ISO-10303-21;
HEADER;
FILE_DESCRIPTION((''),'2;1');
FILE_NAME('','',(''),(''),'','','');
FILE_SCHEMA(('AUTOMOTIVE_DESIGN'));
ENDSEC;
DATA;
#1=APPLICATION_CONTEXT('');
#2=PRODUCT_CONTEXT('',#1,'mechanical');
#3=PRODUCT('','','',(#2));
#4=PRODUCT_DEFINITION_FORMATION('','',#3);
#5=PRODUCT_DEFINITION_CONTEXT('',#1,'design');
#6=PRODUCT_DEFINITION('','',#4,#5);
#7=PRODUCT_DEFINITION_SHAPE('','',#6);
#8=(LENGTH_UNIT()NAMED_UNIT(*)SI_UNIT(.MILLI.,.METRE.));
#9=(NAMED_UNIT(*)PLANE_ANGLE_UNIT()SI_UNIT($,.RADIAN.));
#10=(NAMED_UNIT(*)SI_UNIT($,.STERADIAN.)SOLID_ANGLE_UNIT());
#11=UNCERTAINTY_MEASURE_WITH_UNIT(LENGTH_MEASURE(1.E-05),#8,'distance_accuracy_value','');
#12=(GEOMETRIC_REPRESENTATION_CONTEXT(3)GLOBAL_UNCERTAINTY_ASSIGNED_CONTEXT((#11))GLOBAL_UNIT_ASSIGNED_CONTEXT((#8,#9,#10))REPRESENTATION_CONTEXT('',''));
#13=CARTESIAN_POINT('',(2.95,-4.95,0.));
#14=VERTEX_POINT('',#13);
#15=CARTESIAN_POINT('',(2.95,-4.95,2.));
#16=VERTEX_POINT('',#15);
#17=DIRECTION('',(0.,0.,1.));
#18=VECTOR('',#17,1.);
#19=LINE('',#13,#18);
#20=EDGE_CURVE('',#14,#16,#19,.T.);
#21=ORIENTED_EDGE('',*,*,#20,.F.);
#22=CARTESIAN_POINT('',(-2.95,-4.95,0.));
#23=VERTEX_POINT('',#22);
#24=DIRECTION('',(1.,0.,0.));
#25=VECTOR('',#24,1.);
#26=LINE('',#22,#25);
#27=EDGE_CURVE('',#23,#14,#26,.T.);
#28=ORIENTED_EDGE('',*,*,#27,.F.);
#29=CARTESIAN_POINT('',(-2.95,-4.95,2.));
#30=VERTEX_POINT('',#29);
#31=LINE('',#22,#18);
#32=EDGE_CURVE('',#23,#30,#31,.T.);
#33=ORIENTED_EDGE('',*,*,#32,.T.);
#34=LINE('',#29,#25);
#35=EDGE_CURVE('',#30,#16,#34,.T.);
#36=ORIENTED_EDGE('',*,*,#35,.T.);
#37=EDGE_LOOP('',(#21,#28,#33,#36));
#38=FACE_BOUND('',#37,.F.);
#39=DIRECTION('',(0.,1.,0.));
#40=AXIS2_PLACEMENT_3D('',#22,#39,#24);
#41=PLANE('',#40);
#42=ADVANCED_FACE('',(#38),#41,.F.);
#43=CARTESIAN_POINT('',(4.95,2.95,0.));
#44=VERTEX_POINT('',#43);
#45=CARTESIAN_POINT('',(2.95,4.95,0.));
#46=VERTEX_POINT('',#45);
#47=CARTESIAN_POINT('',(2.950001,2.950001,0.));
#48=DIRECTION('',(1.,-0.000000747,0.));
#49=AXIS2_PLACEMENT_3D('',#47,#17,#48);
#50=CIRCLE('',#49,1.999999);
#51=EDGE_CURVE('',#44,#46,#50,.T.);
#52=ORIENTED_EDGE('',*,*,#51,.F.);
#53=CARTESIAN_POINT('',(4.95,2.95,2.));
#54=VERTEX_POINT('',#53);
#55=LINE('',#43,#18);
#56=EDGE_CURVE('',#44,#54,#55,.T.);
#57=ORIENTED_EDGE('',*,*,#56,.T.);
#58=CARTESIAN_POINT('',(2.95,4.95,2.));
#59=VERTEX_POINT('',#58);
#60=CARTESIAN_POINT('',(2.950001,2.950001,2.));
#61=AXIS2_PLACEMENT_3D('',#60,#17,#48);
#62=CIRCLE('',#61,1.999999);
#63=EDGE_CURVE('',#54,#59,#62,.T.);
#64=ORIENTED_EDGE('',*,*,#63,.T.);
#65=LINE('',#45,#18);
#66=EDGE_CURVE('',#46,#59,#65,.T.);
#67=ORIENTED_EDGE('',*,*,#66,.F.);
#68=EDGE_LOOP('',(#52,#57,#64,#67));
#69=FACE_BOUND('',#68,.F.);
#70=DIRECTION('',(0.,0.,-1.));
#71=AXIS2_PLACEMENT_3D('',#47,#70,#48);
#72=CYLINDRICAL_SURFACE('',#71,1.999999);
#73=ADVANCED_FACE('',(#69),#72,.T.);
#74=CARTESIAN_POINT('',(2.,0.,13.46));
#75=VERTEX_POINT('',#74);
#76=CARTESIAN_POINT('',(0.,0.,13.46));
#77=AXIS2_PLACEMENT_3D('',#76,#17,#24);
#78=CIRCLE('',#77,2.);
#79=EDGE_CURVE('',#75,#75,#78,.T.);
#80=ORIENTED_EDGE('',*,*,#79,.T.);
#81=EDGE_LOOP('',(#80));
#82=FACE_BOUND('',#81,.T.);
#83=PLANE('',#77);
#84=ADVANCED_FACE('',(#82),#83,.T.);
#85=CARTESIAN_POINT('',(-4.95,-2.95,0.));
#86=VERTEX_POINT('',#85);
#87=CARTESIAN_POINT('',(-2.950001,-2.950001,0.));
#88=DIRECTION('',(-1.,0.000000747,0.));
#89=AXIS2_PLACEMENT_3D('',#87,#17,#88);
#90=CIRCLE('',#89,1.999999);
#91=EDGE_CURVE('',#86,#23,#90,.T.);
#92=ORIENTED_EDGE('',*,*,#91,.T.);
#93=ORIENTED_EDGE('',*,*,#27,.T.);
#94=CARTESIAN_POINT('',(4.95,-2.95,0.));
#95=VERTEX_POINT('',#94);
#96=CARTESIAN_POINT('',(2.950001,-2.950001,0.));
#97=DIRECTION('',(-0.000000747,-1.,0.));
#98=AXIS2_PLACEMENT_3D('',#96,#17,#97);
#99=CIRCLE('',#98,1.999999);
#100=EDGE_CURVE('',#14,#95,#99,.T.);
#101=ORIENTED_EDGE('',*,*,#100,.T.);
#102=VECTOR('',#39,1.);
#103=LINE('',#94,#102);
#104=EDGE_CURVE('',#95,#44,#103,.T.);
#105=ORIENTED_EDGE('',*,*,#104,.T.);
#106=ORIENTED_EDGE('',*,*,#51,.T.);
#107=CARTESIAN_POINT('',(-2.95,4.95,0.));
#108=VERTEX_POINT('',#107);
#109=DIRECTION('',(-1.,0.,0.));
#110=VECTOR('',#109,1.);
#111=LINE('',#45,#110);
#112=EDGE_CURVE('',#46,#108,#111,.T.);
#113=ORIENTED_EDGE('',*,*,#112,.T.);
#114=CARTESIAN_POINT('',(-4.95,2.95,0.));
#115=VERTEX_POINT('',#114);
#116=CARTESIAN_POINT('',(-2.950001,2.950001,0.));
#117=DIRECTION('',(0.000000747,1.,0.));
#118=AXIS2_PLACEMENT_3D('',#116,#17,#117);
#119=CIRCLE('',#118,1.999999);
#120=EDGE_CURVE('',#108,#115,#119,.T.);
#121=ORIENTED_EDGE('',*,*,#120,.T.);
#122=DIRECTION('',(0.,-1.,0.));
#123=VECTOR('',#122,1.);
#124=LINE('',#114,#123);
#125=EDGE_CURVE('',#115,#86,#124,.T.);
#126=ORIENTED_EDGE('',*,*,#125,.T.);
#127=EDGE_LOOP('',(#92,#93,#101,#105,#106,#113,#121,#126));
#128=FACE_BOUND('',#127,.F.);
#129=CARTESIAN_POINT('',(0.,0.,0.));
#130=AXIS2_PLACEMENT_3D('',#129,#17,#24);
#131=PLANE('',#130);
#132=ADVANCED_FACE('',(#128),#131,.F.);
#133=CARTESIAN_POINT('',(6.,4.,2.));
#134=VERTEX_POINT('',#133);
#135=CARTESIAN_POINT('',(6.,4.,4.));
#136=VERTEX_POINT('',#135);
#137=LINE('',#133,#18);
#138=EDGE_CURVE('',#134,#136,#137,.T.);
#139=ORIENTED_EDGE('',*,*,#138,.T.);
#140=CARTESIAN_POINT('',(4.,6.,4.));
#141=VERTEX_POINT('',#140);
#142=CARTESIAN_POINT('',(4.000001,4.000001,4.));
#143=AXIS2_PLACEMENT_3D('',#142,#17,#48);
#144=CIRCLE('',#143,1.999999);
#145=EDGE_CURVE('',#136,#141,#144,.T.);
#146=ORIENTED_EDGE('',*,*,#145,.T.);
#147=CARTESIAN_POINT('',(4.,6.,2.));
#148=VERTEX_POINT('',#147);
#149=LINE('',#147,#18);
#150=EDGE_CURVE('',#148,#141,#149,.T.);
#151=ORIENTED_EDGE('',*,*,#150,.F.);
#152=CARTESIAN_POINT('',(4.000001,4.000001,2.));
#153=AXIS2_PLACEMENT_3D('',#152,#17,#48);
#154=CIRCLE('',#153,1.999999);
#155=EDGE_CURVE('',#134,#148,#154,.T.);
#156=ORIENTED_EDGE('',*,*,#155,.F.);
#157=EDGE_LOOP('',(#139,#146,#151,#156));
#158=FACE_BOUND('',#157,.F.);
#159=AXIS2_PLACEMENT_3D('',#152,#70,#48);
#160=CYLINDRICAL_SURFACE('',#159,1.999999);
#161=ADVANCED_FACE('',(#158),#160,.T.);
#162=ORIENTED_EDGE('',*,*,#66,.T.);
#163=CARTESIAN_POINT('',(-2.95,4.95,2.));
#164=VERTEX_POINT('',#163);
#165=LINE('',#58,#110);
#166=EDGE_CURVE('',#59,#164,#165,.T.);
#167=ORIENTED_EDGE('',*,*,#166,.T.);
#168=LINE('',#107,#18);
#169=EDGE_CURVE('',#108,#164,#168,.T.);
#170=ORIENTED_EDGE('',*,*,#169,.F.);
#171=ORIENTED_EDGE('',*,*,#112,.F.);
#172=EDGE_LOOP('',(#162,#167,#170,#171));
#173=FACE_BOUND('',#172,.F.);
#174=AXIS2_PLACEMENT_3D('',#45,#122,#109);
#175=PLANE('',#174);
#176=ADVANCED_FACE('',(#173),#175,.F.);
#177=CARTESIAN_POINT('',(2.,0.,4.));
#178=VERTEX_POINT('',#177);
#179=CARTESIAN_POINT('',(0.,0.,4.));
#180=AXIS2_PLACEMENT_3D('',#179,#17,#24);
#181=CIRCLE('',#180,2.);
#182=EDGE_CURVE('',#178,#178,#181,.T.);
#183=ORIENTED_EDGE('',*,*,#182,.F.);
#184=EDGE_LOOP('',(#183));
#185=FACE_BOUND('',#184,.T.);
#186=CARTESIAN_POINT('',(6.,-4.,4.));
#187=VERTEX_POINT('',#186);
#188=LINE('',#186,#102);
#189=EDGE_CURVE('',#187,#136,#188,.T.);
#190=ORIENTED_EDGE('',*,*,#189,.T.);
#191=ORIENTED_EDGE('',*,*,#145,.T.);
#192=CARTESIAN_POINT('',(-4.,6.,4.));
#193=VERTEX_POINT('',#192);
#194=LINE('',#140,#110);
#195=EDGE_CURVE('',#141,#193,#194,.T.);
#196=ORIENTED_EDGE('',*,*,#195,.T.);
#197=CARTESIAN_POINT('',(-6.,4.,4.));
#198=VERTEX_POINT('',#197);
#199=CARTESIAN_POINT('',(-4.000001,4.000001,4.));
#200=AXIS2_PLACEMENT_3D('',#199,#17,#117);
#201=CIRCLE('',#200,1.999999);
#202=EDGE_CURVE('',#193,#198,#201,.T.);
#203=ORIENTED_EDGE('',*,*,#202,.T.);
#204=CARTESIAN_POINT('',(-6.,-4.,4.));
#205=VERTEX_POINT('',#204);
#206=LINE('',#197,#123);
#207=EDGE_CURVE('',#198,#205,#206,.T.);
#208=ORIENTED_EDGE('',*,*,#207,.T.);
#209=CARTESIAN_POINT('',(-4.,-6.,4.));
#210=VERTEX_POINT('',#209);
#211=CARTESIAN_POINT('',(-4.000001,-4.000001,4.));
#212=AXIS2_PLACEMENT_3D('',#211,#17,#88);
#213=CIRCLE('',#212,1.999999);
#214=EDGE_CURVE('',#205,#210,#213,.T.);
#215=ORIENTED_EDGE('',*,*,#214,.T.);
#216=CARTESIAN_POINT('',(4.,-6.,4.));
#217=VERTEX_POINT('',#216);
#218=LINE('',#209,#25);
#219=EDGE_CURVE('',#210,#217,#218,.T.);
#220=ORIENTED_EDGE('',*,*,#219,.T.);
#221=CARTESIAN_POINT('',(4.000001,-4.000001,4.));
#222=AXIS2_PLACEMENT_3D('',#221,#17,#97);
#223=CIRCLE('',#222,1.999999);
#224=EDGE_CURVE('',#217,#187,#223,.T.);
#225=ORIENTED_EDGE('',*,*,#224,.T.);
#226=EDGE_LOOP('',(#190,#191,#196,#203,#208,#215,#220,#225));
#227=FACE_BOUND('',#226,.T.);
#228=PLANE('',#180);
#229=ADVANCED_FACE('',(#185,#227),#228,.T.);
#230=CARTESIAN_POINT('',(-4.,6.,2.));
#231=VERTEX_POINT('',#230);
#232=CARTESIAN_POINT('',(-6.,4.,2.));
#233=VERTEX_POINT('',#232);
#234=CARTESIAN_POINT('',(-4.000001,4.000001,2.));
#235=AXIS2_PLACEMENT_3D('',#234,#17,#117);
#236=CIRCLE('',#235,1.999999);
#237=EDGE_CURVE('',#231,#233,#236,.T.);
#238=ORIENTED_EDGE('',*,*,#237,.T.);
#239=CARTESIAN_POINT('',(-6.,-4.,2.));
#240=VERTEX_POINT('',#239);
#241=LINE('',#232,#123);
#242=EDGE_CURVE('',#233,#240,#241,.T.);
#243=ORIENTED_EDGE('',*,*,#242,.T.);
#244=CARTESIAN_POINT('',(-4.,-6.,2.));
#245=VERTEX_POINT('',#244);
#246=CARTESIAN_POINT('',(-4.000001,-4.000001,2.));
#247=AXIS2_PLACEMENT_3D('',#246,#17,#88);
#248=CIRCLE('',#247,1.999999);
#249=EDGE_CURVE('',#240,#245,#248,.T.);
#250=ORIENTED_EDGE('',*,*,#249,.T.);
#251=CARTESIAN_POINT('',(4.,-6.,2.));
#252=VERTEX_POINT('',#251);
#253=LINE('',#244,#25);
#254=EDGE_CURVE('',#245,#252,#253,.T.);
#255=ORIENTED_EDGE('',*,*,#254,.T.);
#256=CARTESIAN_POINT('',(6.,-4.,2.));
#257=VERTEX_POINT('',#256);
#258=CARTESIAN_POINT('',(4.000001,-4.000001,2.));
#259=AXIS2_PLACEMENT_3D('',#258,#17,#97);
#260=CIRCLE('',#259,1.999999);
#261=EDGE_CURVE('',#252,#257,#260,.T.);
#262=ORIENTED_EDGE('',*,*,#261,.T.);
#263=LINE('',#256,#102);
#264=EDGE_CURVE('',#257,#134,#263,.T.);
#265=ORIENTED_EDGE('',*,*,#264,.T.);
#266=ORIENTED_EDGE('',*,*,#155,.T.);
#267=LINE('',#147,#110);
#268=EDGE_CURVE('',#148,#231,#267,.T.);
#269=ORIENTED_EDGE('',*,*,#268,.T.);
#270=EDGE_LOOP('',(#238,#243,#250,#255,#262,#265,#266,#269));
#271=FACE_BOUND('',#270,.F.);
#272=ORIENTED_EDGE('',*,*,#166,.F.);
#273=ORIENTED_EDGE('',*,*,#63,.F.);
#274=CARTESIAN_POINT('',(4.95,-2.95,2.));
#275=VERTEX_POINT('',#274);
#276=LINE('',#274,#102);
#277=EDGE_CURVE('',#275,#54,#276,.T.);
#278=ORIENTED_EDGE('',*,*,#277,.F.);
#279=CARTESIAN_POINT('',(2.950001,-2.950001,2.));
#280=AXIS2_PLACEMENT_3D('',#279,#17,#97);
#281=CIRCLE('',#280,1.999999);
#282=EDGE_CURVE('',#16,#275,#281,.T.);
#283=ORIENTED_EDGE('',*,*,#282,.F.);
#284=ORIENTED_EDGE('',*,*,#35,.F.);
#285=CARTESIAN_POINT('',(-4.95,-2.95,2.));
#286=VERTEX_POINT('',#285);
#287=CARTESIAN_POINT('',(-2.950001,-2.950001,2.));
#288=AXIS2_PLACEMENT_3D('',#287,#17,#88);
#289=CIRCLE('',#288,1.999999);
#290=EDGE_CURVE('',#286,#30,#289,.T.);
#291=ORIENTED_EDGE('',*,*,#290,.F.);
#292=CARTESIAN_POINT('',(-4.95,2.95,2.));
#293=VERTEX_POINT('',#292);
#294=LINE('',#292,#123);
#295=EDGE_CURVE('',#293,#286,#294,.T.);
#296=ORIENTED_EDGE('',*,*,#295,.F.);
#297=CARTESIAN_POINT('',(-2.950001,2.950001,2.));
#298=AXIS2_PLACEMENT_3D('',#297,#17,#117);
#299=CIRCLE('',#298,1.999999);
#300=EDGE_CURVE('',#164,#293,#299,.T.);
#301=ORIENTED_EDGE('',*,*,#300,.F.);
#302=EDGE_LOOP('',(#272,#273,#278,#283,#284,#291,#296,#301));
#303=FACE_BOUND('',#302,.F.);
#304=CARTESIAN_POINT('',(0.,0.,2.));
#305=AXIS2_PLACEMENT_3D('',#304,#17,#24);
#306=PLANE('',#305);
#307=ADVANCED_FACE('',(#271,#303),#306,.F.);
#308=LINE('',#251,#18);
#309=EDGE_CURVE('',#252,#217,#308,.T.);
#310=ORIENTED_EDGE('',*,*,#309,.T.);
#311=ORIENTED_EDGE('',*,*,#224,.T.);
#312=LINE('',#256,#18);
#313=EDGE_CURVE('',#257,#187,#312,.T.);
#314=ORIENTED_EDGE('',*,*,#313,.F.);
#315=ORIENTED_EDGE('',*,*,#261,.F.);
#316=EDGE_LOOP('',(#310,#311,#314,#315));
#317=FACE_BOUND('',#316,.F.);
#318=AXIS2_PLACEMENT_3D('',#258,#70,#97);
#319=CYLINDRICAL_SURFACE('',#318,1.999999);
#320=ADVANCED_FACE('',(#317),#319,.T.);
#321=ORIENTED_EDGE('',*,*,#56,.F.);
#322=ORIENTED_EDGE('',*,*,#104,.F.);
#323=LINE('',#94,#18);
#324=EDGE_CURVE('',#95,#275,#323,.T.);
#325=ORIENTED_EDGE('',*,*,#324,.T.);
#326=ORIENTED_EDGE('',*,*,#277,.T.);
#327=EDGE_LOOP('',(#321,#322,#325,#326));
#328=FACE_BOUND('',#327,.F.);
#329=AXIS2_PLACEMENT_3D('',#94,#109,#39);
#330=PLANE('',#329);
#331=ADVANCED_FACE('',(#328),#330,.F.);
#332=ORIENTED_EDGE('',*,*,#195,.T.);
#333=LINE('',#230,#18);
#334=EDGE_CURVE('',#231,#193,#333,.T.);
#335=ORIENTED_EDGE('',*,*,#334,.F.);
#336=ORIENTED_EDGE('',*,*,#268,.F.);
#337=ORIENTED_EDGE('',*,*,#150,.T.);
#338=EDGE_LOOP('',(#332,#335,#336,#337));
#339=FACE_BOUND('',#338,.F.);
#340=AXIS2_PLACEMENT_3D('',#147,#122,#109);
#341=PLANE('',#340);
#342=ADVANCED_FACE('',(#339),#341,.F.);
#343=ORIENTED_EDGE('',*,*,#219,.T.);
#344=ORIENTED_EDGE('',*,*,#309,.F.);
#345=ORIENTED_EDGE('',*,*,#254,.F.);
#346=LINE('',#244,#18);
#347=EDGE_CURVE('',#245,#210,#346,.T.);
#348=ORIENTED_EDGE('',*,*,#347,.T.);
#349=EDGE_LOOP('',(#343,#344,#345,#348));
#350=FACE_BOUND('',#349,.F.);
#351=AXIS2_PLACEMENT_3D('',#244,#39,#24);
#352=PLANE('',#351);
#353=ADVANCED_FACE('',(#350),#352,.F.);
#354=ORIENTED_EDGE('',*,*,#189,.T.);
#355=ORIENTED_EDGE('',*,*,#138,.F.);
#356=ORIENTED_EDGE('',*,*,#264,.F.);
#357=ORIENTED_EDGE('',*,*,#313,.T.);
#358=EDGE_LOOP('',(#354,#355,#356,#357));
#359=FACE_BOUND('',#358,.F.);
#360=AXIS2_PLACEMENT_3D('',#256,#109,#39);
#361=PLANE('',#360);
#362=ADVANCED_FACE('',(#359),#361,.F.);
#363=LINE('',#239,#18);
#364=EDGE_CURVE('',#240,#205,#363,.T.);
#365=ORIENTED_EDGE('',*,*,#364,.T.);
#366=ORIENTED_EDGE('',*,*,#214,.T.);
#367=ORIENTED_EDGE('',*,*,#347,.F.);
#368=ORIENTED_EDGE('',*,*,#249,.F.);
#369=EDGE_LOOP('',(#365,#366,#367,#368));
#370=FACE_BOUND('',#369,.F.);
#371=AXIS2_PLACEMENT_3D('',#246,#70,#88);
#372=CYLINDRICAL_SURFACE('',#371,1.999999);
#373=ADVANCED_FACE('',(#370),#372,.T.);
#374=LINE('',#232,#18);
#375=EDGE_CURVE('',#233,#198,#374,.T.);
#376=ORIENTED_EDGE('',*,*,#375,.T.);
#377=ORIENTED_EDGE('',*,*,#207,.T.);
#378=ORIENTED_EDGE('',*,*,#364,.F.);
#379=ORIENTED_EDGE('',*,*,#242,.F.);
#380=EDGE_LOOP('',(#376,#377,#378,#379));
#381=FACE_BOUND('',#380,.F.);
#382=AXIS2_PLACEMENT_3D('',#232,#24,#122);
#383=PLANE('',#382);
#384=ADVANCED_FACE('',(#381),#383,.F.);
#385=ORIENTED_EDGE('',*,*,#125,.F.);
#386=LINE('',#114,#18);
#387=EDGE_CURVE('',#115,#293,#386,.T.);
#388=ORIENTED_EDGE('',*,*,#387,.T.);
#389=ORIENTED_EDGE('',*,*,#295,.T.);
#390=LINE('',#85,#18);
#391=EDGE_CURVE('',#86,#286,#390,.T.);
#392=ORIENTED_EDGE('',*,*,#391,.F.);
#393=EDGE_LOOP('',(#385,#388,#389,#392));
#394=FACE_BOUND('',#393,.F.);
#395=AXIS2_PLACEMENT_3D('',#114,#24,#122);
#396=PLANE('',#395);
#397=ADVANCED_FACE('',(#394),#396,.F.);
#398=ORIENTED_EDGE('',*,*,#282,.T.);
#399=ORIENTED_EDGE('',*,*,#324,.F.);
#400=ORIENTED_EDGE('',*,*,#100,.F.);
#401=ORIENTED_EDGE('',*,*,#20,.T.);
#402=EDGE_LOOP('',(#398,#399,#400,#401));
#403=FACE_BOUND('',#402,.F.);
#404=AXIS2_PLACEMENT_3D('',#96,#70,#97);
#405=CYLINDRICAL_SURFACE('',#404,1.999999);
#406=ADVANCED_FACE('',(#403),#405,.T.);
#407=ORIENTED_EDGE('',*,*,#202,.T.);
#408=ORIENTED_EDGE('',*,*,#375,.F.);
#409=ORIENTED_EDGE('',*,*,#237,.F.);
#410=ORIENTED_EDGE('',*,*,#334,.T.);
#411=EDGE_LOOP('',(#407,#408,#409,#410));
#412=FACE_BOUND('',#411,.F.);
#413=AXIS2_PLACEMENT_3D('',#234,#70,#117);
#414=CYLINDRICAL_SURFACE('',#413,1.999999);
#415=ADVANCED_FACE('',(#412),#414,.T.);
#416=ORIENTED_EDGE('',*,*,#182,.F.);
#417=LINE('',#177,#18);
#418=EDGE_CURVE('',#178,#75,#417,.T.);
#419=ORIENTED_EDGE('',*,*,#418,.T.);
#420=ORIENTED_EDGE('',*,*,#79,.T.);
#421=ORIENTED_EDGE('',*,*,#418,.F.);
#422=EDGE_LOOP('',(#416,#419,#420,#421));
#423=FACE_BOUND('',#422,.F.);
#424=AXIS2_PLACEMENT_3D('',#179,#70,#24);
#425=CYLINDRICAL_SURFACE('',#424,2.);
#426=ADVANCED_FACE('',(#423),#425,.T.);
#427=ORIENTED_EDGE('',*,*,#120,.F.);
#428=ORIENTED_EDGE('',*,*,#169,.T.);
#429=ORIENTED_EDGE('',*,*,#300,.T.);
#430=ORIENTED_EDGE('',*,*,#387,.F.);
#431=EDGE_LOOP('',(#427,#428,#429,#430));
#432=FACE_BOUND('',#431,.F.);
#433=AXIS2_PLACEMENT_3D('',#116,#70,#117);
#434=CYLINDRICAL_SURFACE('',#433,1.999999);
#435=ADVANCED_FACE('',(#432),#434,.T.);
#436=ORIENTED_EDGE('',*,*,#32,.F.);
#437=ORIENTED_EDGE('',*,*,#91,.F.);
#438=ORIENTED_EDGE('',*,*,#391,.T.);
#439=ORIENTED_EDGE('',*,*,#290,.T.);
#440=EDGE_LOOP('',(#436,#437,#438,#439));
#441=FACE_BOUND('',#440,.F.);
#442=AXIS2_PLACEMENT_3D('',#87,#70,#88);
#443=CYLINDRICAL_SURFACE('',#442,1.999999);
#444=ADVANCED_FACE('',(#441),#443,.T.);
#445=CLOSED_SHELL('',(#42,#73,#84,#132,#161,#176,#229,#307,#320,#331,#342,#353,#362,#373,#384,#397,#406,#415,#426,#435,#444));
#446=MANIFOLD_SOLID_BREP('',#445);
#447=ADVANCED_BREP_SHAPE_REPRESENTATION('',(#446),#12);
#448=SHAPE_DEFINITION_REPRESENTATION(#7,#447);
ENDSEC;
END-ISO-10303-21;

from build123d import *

# Parameters (mm, degrees)
F1_DEPTH = 2
F3_DEPTH = 2
F4_R     = 2
F5_DEPTH = 9.46


with BuildPart() as f1:
    # F0 (on Top) → F1 (new body)
    with BuildSketch(Plane.XY):
        with BuildLine():
            Line((-2.95, -4.95), (2.95, -4.95))
            ThreePointArc((2.95, -4.95), (4.364214, -4.364214), (4.95, -2.95))
            Line((4.95, -2.95), (4.95, 2.95))
            ThreePointArc((4.95, 2.95), (4.364214, 4.364214), (2.95, 4.95))
            Line((2.95, 4.95), (-2.95, 4.95))
            ThreePointArc((-2.95, 4.95), (-4.364214, 4.364214), (-4.95, 2.95))
            Line((-4.95, 2.95), (-4.95, -2.95))
            ThreePointArc((-4.95, -2.95), (-4.364214, -4.364214), (-2.95, -4.95))
        make_face()
    extrude(amount=F1_DEPTH)

    # F2 (on face) → F3 (join)
    with BuildSketch(Plane.XY.offset(2)):
        with BuildLine():
            Line((-4, -6), (4, -6))
            ThreePointArc((4, -6), (5.414214, -5.414214), (6, -4))
            Line((6, -4), (6, 4))
            ThreePointArc((6, 4), (5.414214, 5.414214), (4, 6))
            Line((4, 6), (-4, 6))
            ThreePointArc((-4, 6), (-5.414214, 5.414214), (-6, 4))
            Line((-6, 4), (-6, -4))
            ThreePointArc((-6, -4), (-5.414214, -5.414214), (-4, -6))
        make_face()
    extrude(amount=F3_DEPTH)

    # F4 (on face) → F5 (join)
    with BuildSketch(Plane.XY.offset(4)):
        Circle(F4_R)
    extrude(amount=F5_DEPTH)


solid = f1.part
